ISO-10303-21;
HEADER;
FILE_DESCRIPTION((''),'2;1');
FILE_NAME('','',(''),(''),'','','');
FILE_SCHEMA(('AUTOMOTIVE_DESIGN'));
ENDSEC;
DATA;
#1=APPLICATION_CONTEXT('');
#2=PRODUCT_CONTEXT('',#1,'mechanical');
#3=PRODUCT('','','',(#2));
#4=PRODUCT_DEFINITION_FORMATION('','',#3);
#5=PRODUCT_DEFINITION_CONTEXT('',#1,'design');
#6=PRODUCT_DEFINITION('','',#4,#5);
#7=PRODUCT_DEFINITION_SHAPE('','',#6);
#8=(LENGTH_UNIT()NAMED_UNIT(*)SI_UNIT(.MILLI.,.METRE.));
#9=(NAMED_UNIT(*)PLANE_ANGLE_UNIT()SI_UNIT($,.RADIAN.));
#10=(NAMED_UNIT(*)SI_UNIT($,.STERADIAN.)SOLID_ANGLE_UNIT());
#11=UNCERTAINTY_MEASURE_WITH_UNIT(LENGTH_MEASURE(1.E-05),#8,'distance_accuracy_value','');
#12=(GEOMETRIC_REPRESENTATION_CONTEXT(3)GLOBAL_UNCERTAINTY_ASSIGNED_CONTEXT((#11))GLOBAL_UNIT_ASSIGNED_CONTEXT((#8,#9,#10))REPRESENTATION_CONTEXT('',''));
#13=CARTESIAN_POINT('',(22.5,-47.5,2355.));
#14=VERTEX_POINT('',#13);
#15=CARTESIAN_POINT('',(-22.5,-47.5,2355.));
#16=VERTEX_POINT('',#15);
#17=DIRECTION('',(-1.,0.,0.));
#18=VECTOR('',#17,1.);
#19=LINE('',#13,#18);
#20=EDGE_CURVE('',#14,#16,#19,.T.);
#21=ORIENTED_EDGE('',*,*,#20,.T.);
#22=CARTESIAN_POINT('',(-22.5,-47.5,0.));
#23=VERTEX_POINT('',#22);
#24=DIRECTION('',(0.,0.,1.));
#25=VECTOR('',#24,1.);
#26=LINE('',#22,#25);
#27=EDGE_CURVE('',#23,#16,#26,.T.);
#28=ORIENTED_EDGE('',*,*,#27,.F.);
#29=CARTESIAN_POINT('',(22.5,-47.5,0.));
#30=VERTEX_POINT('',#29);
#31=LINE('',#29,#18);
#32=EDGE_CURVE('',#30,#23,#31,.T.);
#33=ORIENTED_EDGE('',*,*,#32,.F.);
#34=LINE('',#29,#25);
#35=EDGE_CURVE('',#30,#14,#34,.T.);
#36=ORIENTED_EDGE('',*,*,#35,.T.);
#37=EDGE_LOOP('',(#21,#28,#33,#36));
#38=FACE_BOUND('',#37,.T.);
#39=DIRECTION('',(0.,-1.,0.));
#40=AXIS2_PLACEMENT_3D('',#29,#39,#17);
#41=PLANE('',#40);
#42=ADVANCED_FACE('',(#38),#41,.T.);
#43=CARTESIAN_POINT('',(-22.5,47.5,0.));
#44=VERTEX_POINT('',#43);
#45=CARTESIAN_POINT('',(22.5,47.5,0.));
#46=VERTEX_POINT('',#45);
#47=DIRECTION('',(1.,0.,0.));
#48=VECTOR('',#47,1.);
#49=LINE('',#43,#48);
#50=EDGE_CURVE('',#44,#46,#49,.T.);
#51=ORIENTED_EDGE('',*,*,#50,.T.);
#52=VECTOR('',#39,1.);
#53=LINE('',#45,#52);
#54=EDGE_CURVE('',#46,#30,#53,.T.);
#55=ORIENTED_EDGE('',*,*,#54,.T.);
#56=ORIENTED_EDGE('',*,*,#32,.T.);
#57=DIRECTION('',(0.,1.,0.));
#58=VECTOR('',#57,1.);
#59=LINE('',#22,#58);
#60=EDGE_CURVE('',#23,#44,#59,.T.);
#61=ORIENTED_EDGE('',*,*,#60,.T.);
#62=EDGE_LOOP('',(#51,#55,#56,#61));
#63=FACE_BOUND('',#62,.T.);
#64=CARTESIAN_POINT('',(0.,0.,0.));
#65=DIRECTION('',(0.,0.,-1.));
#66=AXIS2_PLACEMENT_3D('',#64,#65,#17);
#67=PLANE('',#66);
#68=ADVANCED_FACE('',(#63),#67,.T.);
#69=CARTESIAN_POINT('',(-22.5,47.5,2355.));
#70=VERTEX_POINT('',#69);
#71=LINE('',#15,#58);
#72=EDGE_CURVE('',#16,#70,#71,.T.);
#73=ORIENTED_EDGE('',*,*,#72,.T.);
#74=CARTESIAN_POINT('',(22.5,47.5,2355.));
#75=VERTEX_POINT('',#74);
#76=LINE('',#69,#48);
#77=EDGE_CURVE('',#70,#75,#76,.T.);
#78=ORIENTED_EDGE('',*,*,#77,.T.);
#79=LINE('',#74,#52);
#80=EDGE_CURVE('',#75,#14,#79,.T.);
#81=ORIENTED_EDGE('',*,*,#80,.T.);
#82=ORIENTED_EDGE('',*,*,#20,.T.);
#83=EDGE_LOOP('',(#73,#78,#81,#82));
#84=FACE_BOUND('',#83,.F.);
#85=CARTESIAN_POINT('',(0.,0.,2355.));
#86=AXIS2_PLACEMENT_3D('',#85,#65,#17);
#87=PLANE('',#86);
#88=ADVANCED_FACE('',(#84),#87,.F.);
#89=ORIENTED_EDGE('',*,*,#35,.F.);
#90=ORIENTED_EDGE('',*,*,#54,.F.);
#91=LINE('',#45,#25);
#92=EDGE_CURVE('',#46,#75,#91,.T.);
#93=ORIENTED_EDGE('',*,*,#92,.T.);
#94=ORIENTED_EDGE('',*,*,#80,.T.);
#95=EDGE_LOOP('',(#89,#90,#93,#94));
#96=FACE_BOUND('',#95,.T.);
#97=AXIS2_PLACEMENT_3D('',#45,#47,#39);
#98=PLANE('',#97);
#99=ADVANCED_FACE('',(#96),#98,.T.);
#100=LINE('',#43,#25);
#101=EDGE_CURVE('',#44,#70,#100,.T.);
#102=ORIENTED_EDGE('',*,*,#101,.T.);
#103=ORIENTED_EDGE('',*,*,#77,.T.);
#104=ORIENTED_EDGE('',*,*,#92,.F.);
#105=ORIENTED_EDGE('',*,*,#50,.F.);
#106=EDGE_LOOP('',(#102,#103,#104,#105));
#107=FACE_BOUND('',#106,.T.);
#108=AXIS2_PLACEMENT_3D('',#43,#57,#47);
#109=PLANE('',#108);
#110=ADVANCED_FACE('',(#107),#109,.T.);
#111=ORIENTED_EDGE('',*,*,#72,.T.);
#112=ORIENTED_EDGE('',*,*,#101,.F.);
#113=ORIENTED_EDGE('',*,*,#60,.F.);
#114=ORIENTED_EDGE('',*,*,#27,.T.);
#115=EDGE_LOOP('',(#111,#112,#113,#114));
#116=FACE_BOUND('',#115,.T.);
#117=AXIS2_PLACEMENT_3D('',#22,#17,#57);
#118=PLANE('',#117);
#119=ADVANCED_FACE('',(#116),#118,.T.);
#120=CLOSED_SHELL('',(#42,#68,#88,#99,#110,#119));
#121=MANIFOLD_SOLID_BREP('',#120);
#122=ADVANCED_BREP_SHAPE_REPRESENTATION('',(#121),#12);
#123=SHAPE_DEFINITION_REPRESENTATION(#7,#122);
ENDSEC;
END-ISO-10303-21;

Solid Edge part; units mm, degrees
sketch "Sketch1" plane through (0, 0, 0) normal (0, 0, -1) x (-1, 0, 0)
  line L0 (-22.5, -47.5) -> (22.5, -47.5)
  line L1 (22.5, -47.5) -> (22.5, 47.5)
  line L2 (22.5, 47.5) -> (-22.5, 47.5)
  line L3 (-22.5, 47.5) -> (-22.5, -47.5)
extrude "Protrusion1" add sketch "Sketch1" against normal blind 2355
properties material "Wood, Pine"
